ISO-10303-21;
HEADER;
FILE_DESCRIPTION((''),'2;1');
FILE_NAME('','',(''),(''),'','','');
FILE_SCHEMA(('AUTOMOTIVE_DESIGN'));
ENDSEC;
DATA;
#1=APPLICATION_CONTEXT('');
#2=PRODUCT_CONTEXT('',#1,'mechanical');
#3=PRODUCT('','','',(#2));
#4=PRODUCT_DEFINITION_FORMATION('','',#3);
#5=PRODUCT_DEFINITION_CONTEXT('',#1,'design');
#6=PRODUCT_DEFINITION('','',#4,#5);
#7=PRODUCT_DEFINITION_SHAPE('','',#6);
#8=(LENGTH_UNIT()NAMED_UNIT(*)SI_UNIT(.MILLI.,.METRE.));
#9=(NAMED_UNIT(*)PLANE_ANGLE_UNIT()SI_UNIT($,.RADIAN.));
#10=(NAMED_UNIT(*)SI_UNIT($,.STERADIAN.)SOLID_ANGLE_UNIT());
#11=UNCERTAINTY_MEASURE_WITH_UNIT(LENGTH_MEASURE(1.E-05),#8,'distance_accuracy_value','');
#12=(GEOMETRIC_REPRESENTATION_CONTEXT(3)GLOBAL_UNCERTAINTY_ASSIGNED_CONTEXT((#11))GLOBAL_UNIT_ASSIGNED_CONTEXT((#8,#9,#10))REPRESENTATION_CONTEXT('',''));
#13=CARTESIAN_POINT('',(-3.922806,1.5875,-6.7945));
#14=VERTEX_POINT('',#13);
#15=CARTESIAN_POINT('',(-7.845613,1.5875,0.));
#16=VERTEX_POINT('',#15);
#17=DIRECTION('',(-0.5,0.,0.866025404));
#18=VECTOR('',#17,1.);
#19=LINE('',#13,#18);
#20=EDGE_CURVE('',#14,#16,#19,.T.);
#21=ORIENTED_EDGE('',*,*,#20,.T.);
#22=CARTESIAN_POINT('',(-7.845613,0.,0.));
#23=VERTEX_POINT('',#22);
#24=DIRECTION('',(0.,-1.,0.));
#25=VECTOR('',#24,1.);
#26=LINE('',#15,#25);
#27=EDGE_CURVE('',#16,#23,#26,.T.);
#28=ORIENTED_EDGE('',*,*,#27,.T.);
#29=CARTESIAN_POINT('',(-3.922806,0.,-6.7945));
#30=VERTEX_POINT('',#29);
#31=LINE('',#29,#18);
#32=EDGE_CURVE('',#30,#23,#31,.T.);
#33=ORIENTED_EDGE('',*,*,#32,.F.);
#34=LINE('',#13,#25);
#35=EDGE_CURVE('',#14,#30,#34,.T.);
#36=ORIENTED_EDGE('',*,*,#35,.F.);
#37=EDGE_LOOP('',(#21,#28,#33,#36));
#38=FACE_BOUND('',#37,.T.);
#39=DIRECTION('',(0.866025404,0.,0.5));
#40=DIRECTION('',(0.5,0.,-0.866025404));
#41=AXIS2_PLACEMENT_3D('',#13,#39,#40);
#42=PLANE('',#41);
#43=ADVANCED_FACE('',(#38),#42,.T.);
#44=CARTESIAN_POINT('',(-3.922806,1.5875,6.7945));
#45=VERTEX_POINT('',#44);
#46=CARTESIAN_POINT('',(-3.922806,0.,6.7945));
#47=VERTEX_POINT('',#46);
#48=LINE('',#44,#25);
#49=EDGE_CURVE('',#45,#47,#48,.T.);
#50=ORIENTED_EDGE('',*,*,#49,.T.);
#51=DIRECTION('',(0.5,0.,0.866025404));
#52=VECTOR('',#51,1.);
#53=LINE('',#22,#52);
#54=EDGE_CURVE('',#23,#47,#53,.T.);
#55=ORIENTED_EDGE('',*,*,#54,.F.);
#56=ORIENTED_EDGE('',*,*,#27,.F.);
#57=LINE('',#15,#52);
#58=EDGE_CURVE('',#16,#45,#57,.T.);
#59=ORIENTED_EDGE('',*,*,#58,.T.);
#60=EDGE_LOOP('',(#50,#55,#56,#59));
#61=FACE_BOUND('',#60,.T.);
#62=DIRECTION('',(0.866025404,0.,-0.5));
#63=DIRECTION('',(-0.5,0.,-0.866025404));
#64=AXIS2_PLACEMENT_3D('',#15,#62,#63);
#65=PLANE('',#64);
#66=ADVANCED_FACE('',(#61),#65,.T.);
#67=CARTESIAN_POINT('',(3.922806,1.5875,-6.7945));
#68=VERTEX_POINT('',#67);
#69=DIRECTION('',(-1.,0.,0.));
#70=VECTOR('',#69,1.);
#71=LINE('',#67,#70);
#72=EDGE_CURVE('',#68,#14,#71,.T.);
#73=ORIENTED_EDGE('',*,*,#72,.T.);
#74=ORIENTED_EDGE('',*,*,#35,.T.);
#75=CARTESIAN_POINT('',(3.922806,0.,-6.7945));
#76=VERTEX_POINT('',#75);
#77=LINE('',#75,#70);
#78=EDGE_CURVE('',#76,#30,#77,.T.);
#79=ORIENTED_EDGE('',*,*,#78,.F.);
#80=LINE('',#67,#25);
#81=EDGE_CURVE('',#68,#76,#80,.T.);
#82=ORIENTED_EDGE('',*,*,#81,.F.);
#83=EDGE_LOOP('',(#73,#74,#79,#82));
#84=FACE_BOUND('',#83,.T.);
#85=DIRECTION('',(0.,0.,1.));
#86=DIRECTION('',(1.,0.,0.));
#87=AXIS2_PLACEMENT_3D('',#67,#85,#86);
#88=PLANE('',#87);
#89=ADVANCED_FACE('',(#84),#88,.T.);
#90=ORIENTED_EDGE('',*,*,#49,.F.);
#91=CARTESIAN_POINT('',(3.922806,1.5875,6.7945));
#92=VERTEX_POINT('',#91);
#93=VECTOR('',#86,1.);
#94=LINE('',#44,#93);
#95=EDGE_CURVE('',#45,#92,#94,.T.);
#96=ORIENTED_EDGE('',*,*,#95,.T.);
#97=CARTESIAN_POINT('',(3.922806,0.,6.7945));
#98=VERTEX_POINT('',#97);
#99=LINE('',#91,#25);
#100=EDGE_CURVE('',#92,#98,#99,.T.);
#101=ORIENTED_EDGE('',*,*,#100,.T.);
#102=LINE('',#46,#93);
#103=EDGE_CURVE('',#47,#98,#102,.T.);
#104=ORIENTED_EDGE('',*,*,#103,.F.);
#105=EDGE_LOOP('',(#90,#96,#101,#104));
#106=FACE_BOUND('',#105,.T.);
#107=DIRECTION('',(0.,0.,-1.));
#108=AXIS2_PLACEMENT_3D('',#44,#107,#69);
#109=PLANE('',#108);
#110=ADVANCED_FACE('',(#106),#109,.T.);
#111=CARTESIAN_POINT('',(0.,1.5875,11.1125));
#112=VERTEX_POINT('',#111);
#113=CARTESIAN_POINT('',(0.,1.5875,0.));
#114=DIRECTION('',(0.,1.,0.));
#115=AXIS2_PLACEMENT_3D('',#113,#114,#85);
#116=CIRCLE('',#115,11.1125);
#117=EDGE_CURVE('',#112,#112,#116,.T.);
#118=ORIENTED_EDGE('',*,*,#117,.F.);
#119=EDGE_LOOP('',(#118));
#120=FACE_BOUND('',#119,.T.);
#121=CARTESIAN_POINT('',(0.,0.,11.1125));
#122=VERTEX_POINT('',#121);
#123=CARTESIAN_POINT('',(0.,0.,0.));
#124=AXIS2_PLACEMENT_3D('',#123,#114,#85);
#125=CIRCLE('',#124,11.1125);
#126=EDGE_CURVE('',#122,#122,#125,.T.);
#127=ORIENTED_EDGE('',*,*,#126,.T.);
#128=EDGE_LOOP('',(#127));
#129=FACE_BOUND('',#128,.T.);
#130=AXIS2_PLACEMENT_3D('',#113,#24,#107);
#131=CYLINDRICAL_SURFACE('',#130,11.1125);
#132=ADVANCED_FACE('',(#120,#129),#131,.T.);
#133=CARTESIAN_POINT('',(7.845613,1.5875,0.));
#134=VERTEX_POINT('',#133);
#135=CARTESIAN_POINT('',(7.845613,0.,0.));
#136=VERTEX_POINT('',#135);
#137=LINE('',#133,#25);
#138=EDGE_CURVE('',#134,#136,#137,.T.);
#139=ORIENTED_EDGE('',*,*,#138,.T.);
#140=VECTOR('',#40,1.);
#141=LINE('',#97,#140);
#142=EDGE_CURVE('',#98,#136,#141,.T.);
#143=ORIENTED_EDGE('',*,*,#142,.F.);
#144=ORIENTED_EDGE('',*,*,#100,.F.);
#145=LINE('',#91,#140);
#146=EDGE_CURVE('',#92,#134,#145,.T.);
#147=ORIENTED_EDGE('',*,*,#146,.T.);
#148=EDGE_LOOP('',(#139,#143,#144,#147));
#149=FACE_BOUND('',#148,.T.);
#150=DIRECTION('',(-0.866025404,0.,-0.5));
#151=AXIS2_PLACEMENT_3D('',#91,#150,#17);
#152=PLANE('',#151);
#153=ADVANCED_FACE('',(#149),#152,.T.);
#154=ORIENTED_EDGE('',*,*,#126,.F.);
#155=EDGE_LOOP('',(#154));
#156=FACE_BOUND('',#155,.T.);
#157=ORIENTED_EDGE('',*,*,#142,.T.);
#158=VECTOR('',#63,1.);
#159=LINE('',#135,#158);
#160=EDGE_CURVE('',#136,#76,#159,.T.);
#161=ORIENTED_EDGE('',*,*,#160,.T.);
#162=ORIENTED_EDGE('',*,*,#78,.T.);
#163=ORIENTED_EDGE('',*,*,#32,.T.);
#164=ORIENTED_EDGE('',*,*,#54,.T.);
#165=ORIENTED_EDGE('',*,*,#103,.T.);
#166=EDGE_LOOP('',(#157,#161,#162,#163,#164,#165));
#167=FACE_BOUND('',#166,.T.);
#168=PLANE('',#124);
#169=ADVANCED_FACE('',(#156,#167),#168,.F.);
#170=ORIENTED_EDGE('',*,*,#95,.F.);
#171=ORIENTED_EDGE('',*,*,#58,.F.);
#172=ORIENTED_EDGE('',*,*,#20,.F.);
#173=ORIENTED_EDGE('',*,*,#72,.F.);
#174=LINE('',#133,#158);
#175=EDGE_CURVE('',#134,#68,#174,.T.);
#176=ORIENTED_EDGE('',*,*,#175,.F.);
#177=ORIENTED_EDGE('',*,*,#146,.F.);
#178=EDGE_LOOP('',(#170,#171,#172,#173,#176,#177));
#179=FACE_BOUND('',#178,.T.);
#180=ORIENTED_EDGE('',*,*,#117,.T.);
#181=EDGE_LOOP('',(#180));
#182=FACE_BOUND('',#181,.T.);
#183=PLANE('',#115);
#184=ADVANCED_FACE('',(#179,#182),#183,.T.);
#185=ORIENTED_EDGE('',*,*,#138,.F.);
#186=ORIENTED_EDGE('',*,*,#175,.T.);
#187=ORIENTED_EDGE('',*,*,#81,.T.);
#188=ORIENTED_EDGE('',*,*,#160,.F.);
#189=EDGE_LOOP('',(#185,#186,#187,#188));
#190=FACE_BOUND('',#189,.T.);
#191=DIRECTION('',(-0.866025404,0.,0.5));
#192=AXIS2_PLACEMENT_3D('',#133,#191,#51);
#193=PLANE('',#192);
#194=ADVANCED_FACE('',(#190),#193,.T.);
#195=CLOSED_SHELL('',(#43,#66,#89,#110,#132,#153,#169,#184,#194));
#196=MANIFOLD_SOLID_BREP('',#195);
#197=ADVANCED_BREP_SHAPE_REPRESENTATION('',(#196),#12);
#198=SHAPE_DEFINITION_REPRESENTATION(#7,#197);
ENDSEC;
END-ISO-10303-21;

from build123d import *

# Parameters (mm, degrees)
SKETCH1_R           = 11.1125
BOSS_EXTRUDE1_DEPTH = 1.5875


with BuildPart() as part:
    # Sketch1 → Boss-Extrude1 (new body)
    with BuildSketch(Plane(origin=(0, 0, 0), x_dir=(1, 0, 0), z_dir=(0, 1, 0))):
        Circle(SKETCH1_R)
        Polygon((7.845612808, 0), (3.922806404, 6.7945), (-3.922806404, 6.7945), (-7.845612808, 0), (-3.922806404, -6.7945), (3.922806404, -6.7945), align=None, mode=Mode.SUBTRACT)
    extrude(amount=BOSS_EXTRUDE1_DEPTH)


solid = part.part
